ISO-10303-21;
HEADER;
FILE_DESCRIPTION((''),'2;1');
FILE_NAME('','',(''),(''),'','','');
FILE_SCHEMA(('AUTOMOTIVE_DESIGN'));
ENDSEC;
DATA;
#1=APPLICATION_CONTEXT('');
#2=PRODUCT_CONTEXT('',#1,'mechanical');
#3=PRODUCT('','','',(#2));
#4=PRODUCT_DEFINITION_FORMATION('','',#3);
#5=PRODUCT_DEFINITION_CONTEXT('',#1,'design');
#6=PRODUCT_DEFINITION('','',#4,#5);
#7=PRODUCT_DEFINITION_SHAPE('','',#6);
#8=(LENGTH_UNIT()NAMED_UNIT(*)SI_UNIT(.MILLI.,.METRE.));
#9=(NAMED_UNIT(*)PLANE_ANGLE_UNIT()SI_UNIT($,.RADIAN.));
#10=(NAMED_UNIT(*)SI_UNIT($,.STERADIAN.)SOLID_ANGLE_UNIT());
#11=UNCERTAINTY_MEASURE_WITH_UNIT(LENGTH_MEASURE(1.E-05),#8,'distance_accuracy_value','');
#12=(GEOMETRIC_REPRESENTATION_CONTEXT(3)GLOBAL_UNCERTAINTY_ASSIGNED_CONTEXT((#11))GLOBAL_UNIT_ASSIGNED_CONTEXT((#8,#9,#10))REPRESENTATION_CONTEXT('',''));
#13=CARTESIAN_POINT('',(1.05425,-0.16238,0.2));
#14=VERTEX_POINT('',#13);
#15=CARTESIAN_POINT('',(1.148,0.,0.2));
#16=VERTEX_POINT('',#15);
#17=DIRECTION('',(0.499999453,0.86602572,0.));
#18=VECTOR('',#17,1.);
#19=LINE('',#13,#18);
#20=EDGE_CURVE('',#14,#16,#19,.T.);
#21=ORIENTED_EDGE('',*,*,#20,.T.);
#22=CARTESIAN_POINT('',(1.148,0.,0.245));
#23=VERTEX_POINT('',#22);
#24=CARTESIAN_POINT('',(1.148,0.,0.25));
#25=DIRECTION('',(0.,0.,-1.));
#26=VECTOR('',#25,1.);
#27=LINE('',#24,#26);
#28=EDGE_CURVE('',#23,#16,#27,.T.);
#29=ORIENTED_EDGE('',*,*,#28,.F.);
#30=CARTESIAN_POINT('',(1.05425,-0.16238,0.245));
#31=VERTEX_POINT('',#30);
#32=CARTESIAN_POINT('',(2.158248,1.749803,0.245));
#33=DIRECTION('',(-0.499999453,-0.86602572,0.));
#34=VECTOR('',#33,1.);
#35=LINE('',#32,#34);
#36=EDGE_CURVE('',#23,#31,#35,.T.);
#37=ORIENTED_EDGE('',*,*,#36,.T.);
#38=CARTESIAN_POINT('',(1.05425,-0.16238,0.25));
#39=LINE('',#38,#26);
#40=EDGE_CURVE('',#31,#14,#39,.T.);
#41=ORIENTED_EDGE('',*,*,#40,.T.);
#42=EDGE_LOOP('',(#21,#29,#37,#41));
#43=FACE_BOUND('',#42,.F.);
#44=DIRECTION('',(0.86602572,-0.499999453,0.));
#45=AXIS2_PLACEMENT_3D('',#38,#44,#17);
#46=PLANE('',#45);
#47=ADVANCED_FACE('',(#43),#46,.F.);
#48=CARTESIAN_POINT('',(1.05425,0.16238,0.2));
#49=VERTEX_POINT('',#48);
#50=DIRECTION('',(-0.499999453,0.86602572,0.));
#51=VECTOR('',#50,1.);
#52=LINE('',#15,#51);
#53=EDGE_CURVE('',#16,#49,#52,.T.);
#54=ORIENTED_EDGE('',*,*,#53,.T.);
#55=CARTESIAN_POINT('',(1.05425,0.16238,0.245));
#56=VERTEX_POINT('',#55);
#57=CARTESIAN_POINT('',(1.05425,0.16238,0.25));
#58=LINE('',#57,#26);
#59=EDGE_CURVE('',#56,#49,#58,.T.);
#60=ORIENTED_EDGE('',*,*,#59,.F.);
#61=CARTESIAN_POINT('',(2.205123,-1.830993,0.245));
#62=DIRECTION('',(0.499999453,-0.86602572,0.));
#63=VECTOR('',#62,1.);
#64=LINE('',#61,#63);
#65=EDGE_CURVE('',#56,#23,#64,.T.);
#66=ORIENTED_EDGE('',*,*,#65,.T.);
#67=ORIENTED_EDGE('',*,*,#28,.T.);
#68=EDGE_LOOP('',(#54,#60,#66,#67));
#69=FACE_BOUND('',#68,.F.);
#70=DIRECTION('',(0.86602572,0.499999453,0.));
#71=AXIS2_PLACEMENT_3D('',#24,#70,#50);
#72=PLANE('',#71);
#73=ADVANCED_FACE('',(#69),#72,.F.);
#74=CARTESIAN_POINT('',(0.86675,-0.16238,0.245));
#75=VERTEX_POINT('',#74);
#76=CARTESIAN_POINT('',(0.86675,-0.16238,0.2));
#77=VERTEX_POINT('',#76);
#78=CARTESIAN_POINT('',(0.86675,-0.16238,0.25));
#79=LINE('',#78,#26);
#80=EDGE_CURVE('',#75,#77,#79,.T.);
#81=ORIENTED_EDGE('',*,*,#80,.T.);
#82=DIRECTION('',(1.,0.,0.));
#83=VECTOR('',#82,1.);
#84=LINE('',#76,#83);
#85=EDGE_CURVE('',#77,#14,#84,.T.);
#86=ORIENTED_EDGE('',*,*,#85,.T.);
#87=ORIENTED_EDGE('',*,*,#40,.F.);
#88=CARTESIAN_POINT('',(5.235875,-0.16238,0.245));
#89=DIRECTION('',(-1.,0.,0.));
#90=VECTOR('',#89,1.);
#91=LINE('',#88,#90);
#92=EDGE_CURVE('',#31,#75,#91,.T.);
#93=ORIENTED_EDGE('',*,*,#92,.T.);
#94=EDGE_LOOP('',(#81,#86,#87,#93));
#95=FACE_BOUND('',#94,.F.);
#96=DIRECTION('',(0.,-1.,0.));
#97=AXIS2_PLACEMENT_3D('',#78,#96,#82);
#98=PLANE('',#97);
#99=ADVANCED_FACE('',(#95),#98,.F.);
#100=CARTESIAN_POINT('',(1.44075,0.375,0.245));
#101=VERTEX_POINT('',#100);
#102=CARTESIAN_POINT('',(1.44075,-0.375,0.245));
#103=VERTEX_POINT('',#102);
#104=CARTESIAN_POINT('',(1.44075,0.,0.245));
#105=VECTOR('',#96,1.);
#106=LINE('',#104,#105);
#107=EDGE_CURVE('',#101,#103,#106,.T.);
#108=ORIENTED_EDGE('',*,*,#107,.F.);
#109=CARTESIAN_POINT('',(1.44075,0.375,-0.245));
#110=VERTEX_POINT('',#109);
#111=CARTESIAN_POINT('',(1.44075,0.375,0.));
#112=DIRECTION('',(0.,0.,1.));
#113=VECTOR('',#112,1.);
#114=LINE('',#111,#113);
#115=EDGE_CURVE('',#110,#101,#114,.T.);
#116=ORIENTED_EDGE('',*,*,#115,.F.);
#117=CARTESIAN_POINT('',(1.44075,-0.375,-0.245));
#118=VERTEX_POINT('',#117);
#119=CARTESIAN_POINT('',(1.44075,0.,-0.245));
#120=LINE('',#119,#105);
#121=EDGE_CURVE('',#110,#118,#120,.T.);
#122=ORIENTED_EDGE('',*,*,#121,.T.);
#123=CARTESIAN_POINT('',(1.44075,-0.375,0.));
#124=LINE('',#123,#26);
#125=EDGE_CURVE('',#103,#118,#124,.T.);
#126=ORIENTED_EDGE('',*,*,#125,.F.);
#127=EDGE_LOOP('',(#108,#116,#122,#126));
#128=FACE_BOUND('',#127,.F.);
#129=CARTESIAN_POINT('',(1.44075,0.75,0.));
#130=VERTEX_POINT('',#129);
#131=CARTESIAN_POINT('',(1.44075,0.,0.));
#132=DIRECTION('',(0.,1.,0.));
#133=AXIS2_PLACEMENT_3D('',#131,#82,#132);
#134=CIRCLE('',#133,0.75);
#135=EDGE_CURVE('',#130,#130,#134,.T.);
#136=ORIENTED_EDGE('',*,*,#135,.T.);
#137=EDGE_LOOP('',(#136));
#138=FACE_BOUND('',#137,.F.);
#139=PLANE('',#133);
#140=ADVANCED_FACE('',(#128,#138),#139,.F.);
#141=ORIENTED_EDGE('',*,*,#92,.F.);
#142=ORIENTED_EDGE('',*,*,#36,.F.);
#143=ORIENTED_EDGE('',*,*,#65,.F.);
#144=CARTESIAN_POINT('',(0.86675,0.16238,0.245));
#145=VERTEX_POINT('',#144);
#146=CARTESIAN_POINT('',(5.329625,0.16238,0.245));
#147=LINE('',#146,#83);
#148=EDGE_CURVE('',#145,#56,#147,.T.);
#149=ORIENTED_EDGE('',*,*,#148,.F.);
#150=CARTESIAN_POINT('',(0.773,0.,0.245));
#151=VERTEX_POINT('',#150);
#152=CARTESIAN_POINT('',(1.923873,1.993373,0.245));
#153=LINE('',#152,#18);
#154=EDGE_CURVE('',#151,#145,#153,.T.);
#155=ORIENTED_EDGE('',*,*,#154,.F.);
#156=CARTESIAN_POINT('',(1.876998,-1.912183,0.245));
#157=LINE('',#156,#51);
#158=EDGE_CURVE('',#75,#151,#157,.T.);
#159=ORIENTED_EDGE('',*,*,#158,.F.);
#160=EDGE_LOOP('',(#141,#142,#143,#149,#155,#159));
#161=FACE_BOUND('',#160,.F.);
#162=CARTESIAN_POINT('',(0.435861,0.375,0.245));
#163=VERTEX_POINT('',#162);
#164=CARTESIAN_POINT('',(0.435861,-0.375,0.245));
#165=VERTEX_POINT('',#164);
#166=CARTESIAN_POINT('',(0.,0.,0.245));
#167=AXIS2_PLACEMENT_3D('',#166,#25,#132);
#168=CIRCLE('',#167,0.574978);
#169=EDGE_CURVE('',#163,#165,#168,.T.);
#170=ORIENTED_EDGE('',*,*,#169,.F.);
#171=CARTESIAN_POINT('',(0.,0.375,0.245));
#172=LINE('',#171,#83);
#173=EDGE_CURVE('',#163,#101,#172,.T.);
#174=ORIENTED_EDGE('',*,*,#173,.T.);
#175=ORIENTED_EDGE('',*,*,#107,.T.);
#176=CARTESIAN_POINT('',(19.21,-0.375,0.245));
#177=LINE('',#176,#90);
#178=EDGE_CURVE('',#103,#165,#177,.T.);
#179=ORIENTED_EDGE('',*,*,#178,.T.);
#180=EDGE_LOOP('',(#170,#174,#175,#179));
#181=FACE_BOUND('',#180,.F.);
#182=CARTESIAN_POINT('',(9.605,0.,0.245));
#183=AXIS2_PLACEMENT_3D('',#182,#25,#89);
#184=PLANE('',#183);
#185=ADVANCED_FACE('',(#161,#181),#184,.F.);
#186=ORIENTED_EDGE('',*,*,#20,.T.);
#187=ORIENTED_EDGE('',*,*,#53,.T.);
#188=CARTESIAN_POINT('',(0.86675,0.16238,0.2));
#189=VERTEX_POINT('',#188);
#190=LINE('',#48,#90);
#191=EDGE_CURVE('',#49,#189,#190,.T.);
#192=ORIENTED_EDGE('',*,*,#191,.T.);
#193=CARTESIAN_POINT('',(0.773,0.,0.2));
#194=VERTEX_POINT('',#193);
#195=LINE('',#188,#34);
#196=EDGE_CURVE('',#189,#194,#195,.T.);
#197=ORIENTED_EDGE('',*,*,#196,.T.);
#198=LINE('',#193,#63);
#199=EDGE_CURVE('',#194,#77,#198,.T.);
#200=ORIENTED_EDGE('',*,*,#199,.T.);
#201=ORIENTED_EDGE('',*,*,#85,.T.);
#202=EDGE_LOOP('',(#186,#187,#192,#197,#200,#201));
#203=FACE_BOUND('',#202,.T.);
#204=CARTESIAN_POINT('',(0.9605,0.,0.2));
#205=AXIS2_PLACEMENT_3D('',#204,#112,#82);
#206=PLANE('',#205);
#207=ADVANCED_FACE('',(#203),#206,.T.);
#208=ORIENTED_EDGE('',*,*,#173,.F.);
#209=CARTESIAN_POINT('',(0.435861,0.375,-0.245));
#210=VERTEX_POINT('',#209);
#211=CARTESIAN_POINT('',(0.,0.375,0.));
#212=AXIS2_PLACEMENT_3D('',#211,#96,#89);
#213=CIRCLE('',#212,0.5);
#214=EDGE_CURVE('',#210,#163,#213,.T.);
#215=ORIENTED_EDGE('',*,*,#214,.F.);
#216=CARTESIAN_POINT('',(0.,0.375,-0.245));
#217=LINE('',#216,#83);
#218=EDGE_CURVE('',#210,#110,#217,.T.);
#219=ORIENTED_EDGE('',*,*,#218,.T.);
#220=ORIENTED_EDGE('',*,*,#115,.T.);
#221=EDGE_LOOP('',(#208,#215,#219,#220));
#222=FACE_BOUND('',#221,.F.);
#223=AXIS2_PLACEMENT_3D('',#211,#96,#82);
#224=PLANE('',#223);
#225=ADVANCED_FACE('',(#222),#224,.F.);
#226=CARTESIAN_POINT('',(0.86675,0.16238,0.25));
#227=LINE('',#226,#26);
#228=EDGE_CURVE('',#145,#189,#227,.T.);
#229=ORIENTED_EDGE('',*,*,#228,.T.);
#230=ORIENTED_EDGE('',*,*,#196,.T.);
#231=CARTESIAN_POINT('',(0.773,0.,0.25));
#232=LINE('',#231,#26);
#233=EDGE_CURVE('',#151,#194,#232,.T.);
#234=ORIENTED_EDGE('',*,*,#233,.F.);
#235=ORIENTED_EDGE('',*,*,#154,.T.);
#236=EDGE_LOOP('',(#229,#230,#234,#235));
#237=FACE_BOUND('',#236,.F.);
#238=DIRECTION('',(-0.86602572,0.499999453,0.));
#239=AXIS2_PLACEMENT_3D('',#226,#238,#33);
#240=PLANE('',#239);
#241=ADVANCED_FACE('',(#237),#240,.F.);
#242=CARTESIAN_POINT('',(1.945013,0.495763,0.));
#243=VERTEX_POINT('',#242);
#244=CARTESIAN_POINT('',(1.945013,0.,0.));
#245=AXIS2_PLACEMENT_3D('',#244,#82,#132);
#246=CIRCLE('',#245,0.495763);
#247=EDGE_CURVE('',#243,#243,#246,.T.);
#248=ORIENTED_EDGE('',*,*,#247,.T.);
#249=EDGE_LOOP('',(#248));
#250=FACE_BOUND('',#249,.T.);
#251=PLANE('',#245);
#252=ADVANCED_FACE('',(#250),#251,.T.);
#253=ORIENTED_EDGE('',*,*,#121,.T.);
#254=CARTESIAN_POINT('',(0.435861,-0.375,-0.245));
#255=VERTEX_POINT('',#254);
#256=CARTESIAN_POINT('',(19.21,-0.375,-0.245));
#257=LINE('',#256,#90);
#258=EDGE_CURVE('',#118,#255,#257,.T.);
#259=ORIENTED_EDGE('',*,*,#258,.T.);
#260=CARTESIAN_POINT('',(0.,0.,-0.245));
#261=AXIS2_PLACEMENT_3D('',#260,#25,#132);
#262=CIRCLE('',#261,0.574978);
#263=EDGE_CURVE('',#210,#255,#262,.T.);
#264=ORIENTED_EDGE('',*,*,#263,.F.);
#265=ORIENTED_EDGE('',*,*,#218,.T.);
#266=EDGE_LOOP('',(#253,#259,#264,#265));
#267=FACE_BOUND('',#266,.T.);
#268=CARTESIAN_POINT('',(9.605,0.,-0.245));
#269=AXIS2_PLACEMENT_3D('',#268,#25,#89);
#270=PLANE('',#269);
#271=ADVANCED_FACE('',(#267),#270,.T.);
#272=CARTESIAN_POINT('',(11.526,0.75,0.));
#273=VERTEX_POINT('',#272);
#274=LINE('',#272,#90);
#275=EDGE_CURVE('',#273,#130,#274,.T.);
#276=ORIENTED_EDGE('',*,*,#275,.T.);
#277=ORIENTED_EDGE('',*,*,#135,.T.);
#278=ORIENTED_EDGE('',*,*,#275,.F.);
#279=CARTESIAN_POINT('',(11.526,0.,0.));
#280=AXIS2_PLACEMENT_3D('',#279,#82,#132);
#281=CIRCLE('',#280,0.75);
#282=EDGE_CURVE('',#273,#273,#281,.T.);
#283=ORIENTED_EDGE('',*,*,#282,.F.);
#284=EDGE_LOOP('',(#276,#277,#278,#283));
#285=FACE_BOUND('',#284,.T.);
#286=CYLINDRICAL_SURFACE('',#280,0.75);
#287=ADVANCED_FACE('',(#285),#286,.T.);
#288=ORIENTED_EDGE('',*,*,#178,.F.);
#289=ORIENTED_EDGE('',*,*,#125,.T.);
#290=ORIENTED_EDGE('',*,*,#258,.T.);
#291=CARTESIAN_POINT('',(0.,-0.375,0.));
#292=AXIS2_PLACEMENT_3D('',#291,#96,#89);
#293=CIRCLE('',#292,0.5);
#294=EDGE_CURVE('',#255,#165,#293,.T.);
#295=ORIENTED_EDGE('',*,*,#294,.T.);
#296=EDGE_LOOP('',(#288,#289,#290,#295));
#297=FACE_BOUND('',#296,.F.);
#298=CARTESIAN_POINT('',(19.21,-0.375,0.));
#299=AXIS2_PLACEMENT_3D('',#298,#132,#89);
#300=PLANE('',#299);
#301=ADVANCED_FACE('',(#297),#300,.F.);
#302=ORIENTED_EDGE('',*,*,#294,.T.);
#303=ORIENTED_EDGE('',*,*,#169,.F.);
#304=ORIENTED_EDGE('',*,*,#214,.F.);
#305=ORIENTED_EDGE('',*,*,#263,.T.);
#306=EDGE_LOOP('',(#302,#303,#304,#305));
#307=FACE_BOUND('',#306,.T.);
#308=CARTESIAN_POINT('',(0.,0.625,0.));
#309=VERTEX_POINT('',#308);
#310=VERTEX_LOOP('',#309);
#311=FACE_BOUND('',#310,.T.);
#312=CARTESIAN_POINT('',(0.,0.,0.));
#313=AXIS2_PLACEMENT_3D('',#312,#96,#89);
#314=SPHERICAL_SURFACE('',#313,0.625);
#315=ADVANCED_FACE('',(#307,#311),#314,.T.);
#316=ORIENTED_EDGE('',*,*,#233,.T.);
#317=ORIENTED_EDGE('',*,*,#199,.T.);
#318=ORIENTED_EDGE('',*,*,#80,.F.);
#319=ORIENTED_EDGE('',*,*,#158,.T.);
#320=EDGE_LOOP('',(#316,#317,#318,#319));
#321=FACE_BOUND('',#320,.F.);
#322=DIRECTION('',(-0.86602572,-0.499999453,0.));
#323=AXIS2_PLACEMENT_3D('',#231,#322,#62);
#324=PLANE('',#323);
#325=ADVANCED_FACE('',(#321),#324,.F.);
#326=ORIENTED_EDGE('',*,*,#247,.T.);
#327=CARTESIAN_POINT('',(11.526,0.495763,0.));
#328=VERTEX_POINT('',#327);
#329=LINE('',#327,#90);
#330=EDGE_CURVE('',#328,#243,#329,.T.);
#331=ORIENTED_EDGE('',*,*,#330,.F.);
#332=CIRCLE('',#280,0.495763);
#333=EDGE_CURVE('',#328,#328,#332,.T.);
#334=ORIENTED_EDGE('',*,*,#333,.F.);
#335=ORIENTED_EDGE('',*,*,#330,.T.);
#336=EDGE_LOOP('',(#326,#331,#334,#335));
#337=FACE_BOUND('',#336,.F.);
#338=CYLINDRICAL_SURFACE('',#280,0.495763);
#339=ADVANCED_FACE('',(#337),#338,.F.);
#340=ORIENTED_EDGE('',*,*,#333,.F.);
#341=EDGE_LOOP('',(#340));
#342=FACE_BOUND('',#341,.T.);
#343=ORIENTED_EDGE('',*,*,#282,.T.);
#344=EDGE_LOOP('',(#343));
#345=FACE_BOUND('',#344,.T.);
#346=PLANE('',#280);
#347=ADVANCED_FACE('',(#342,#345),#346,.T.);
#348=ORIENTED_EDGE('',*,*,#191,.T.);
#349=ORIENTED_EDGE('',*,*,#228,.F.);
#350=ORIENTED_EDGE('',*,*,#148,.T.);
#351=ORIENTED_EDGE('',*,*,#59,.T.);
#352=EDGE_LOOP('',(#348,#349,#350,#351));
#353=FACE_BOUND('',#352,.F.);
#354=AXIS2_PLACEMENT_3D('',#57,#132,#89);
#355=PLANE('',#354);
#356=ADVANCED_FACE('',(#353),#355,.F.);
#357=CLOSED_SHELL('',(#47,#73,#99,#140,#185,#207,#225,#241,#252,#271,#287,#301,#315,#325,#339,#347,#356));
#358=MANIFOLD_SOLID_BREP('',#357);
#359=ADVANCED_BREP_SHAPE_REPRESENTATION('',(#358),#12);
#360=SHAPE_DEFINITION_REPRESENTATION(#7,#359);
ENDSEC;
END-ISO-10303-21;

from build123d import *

# Parameters (mm, degrees)
PAD_DEPTH       = 0.245
POCKET_DEPTH    = 0.05
SKETCH004_R     = 0.75
PAD001_DEPTH    = 10.08525
SKETCH005_R     = 3
HOLE_DEPTH      = 26
SKETCH006_R     = 0.495763
POCKET001_DEPTH = 9.580987


with BuildPart() as part:
    # Sketch → Pad (new body, symmetric)
    with BuildSketch(Plane.XY):
        with BuildLine():
            Line((0, 0.375), (19.21, 0.375))
            ThreePointArc((19.21, -0.375), (19.585, 0), (19.21, 0.375))
            Line((19.21, -0.375), (0, -0.375))
            ThreePointArc((0, 0.375), (-0.375, 0), (0, -0.375))
        make_face()
    extrude(amount=PAD_DEPTH, both=True)

    # Sketch001 → Revolution (revolve)
    with BuildSketch(Plane.XY):
        with BuildLine():
            Line((0, 0.625), (0, 0))
            Line((0, 0), (0, -0.625))
            ThreePointArc((0, 0.625), (-0.625, 0), (0, -0.625))
        make_face()
    revolve(axis=Axis((0, 0, 0), (0, -1, 0)))

    # Sketch002 → Revolution001 (revolve)
    with BuildSketch(Plane.XY):
        with BuildLine():
            ThreePointArc((19.21, -0.625), (19.835, 0), (19.21, 0.625))
            Line((19.21, 0.625), (19.21, 0))
            Line((19.21, 0), (19.21, -0.625))
        make_face()
    revolve(axis=Axis((19.21, 0, 0), (0, -1, 0)))

    # Sketch003 (on DatumPlane) → Pocket (cut)
    with BuildSketch(Plane.XY.offset(0.25)):
        Polygon((1.05425, -0.16238), (1.148, 0), (1.05425, 0.16238), (0.86675, 0.16238), (0.773, 0), (0.86675, -0.16238), align=None)
    extrude(amount=-POCKET_DEPTH, mode=Mode.SUBTRACT)

    # Sketch004 (on DatumPlane) → Pad001 (join)
    with BuildSketch(Plane.YZ.offset(11.526)):
        Circle(SKETCH004_R)
    extrude(amount=-PAD001_DEPTH)

    # Sketch005 (on DatumPlane) → Hole (cut)
    with BuildSketch(Plane.YZ.offset(11.526)):
        Circle(SKETCH005_R)
    extrude(amount=HOLE_DEPTH, mode=Mode.SUBTRACT)

    # Sketch006 (on DatumPlane) → Pocket001 (cut)
    with BuildSketch(Plane.YZ.offset(11.526)):
        Circle(SKETCH006_R)
    extrude(amount=-POCKET001_DEPTH, mode=Mode.SUBTRACT)


solid = part.part
